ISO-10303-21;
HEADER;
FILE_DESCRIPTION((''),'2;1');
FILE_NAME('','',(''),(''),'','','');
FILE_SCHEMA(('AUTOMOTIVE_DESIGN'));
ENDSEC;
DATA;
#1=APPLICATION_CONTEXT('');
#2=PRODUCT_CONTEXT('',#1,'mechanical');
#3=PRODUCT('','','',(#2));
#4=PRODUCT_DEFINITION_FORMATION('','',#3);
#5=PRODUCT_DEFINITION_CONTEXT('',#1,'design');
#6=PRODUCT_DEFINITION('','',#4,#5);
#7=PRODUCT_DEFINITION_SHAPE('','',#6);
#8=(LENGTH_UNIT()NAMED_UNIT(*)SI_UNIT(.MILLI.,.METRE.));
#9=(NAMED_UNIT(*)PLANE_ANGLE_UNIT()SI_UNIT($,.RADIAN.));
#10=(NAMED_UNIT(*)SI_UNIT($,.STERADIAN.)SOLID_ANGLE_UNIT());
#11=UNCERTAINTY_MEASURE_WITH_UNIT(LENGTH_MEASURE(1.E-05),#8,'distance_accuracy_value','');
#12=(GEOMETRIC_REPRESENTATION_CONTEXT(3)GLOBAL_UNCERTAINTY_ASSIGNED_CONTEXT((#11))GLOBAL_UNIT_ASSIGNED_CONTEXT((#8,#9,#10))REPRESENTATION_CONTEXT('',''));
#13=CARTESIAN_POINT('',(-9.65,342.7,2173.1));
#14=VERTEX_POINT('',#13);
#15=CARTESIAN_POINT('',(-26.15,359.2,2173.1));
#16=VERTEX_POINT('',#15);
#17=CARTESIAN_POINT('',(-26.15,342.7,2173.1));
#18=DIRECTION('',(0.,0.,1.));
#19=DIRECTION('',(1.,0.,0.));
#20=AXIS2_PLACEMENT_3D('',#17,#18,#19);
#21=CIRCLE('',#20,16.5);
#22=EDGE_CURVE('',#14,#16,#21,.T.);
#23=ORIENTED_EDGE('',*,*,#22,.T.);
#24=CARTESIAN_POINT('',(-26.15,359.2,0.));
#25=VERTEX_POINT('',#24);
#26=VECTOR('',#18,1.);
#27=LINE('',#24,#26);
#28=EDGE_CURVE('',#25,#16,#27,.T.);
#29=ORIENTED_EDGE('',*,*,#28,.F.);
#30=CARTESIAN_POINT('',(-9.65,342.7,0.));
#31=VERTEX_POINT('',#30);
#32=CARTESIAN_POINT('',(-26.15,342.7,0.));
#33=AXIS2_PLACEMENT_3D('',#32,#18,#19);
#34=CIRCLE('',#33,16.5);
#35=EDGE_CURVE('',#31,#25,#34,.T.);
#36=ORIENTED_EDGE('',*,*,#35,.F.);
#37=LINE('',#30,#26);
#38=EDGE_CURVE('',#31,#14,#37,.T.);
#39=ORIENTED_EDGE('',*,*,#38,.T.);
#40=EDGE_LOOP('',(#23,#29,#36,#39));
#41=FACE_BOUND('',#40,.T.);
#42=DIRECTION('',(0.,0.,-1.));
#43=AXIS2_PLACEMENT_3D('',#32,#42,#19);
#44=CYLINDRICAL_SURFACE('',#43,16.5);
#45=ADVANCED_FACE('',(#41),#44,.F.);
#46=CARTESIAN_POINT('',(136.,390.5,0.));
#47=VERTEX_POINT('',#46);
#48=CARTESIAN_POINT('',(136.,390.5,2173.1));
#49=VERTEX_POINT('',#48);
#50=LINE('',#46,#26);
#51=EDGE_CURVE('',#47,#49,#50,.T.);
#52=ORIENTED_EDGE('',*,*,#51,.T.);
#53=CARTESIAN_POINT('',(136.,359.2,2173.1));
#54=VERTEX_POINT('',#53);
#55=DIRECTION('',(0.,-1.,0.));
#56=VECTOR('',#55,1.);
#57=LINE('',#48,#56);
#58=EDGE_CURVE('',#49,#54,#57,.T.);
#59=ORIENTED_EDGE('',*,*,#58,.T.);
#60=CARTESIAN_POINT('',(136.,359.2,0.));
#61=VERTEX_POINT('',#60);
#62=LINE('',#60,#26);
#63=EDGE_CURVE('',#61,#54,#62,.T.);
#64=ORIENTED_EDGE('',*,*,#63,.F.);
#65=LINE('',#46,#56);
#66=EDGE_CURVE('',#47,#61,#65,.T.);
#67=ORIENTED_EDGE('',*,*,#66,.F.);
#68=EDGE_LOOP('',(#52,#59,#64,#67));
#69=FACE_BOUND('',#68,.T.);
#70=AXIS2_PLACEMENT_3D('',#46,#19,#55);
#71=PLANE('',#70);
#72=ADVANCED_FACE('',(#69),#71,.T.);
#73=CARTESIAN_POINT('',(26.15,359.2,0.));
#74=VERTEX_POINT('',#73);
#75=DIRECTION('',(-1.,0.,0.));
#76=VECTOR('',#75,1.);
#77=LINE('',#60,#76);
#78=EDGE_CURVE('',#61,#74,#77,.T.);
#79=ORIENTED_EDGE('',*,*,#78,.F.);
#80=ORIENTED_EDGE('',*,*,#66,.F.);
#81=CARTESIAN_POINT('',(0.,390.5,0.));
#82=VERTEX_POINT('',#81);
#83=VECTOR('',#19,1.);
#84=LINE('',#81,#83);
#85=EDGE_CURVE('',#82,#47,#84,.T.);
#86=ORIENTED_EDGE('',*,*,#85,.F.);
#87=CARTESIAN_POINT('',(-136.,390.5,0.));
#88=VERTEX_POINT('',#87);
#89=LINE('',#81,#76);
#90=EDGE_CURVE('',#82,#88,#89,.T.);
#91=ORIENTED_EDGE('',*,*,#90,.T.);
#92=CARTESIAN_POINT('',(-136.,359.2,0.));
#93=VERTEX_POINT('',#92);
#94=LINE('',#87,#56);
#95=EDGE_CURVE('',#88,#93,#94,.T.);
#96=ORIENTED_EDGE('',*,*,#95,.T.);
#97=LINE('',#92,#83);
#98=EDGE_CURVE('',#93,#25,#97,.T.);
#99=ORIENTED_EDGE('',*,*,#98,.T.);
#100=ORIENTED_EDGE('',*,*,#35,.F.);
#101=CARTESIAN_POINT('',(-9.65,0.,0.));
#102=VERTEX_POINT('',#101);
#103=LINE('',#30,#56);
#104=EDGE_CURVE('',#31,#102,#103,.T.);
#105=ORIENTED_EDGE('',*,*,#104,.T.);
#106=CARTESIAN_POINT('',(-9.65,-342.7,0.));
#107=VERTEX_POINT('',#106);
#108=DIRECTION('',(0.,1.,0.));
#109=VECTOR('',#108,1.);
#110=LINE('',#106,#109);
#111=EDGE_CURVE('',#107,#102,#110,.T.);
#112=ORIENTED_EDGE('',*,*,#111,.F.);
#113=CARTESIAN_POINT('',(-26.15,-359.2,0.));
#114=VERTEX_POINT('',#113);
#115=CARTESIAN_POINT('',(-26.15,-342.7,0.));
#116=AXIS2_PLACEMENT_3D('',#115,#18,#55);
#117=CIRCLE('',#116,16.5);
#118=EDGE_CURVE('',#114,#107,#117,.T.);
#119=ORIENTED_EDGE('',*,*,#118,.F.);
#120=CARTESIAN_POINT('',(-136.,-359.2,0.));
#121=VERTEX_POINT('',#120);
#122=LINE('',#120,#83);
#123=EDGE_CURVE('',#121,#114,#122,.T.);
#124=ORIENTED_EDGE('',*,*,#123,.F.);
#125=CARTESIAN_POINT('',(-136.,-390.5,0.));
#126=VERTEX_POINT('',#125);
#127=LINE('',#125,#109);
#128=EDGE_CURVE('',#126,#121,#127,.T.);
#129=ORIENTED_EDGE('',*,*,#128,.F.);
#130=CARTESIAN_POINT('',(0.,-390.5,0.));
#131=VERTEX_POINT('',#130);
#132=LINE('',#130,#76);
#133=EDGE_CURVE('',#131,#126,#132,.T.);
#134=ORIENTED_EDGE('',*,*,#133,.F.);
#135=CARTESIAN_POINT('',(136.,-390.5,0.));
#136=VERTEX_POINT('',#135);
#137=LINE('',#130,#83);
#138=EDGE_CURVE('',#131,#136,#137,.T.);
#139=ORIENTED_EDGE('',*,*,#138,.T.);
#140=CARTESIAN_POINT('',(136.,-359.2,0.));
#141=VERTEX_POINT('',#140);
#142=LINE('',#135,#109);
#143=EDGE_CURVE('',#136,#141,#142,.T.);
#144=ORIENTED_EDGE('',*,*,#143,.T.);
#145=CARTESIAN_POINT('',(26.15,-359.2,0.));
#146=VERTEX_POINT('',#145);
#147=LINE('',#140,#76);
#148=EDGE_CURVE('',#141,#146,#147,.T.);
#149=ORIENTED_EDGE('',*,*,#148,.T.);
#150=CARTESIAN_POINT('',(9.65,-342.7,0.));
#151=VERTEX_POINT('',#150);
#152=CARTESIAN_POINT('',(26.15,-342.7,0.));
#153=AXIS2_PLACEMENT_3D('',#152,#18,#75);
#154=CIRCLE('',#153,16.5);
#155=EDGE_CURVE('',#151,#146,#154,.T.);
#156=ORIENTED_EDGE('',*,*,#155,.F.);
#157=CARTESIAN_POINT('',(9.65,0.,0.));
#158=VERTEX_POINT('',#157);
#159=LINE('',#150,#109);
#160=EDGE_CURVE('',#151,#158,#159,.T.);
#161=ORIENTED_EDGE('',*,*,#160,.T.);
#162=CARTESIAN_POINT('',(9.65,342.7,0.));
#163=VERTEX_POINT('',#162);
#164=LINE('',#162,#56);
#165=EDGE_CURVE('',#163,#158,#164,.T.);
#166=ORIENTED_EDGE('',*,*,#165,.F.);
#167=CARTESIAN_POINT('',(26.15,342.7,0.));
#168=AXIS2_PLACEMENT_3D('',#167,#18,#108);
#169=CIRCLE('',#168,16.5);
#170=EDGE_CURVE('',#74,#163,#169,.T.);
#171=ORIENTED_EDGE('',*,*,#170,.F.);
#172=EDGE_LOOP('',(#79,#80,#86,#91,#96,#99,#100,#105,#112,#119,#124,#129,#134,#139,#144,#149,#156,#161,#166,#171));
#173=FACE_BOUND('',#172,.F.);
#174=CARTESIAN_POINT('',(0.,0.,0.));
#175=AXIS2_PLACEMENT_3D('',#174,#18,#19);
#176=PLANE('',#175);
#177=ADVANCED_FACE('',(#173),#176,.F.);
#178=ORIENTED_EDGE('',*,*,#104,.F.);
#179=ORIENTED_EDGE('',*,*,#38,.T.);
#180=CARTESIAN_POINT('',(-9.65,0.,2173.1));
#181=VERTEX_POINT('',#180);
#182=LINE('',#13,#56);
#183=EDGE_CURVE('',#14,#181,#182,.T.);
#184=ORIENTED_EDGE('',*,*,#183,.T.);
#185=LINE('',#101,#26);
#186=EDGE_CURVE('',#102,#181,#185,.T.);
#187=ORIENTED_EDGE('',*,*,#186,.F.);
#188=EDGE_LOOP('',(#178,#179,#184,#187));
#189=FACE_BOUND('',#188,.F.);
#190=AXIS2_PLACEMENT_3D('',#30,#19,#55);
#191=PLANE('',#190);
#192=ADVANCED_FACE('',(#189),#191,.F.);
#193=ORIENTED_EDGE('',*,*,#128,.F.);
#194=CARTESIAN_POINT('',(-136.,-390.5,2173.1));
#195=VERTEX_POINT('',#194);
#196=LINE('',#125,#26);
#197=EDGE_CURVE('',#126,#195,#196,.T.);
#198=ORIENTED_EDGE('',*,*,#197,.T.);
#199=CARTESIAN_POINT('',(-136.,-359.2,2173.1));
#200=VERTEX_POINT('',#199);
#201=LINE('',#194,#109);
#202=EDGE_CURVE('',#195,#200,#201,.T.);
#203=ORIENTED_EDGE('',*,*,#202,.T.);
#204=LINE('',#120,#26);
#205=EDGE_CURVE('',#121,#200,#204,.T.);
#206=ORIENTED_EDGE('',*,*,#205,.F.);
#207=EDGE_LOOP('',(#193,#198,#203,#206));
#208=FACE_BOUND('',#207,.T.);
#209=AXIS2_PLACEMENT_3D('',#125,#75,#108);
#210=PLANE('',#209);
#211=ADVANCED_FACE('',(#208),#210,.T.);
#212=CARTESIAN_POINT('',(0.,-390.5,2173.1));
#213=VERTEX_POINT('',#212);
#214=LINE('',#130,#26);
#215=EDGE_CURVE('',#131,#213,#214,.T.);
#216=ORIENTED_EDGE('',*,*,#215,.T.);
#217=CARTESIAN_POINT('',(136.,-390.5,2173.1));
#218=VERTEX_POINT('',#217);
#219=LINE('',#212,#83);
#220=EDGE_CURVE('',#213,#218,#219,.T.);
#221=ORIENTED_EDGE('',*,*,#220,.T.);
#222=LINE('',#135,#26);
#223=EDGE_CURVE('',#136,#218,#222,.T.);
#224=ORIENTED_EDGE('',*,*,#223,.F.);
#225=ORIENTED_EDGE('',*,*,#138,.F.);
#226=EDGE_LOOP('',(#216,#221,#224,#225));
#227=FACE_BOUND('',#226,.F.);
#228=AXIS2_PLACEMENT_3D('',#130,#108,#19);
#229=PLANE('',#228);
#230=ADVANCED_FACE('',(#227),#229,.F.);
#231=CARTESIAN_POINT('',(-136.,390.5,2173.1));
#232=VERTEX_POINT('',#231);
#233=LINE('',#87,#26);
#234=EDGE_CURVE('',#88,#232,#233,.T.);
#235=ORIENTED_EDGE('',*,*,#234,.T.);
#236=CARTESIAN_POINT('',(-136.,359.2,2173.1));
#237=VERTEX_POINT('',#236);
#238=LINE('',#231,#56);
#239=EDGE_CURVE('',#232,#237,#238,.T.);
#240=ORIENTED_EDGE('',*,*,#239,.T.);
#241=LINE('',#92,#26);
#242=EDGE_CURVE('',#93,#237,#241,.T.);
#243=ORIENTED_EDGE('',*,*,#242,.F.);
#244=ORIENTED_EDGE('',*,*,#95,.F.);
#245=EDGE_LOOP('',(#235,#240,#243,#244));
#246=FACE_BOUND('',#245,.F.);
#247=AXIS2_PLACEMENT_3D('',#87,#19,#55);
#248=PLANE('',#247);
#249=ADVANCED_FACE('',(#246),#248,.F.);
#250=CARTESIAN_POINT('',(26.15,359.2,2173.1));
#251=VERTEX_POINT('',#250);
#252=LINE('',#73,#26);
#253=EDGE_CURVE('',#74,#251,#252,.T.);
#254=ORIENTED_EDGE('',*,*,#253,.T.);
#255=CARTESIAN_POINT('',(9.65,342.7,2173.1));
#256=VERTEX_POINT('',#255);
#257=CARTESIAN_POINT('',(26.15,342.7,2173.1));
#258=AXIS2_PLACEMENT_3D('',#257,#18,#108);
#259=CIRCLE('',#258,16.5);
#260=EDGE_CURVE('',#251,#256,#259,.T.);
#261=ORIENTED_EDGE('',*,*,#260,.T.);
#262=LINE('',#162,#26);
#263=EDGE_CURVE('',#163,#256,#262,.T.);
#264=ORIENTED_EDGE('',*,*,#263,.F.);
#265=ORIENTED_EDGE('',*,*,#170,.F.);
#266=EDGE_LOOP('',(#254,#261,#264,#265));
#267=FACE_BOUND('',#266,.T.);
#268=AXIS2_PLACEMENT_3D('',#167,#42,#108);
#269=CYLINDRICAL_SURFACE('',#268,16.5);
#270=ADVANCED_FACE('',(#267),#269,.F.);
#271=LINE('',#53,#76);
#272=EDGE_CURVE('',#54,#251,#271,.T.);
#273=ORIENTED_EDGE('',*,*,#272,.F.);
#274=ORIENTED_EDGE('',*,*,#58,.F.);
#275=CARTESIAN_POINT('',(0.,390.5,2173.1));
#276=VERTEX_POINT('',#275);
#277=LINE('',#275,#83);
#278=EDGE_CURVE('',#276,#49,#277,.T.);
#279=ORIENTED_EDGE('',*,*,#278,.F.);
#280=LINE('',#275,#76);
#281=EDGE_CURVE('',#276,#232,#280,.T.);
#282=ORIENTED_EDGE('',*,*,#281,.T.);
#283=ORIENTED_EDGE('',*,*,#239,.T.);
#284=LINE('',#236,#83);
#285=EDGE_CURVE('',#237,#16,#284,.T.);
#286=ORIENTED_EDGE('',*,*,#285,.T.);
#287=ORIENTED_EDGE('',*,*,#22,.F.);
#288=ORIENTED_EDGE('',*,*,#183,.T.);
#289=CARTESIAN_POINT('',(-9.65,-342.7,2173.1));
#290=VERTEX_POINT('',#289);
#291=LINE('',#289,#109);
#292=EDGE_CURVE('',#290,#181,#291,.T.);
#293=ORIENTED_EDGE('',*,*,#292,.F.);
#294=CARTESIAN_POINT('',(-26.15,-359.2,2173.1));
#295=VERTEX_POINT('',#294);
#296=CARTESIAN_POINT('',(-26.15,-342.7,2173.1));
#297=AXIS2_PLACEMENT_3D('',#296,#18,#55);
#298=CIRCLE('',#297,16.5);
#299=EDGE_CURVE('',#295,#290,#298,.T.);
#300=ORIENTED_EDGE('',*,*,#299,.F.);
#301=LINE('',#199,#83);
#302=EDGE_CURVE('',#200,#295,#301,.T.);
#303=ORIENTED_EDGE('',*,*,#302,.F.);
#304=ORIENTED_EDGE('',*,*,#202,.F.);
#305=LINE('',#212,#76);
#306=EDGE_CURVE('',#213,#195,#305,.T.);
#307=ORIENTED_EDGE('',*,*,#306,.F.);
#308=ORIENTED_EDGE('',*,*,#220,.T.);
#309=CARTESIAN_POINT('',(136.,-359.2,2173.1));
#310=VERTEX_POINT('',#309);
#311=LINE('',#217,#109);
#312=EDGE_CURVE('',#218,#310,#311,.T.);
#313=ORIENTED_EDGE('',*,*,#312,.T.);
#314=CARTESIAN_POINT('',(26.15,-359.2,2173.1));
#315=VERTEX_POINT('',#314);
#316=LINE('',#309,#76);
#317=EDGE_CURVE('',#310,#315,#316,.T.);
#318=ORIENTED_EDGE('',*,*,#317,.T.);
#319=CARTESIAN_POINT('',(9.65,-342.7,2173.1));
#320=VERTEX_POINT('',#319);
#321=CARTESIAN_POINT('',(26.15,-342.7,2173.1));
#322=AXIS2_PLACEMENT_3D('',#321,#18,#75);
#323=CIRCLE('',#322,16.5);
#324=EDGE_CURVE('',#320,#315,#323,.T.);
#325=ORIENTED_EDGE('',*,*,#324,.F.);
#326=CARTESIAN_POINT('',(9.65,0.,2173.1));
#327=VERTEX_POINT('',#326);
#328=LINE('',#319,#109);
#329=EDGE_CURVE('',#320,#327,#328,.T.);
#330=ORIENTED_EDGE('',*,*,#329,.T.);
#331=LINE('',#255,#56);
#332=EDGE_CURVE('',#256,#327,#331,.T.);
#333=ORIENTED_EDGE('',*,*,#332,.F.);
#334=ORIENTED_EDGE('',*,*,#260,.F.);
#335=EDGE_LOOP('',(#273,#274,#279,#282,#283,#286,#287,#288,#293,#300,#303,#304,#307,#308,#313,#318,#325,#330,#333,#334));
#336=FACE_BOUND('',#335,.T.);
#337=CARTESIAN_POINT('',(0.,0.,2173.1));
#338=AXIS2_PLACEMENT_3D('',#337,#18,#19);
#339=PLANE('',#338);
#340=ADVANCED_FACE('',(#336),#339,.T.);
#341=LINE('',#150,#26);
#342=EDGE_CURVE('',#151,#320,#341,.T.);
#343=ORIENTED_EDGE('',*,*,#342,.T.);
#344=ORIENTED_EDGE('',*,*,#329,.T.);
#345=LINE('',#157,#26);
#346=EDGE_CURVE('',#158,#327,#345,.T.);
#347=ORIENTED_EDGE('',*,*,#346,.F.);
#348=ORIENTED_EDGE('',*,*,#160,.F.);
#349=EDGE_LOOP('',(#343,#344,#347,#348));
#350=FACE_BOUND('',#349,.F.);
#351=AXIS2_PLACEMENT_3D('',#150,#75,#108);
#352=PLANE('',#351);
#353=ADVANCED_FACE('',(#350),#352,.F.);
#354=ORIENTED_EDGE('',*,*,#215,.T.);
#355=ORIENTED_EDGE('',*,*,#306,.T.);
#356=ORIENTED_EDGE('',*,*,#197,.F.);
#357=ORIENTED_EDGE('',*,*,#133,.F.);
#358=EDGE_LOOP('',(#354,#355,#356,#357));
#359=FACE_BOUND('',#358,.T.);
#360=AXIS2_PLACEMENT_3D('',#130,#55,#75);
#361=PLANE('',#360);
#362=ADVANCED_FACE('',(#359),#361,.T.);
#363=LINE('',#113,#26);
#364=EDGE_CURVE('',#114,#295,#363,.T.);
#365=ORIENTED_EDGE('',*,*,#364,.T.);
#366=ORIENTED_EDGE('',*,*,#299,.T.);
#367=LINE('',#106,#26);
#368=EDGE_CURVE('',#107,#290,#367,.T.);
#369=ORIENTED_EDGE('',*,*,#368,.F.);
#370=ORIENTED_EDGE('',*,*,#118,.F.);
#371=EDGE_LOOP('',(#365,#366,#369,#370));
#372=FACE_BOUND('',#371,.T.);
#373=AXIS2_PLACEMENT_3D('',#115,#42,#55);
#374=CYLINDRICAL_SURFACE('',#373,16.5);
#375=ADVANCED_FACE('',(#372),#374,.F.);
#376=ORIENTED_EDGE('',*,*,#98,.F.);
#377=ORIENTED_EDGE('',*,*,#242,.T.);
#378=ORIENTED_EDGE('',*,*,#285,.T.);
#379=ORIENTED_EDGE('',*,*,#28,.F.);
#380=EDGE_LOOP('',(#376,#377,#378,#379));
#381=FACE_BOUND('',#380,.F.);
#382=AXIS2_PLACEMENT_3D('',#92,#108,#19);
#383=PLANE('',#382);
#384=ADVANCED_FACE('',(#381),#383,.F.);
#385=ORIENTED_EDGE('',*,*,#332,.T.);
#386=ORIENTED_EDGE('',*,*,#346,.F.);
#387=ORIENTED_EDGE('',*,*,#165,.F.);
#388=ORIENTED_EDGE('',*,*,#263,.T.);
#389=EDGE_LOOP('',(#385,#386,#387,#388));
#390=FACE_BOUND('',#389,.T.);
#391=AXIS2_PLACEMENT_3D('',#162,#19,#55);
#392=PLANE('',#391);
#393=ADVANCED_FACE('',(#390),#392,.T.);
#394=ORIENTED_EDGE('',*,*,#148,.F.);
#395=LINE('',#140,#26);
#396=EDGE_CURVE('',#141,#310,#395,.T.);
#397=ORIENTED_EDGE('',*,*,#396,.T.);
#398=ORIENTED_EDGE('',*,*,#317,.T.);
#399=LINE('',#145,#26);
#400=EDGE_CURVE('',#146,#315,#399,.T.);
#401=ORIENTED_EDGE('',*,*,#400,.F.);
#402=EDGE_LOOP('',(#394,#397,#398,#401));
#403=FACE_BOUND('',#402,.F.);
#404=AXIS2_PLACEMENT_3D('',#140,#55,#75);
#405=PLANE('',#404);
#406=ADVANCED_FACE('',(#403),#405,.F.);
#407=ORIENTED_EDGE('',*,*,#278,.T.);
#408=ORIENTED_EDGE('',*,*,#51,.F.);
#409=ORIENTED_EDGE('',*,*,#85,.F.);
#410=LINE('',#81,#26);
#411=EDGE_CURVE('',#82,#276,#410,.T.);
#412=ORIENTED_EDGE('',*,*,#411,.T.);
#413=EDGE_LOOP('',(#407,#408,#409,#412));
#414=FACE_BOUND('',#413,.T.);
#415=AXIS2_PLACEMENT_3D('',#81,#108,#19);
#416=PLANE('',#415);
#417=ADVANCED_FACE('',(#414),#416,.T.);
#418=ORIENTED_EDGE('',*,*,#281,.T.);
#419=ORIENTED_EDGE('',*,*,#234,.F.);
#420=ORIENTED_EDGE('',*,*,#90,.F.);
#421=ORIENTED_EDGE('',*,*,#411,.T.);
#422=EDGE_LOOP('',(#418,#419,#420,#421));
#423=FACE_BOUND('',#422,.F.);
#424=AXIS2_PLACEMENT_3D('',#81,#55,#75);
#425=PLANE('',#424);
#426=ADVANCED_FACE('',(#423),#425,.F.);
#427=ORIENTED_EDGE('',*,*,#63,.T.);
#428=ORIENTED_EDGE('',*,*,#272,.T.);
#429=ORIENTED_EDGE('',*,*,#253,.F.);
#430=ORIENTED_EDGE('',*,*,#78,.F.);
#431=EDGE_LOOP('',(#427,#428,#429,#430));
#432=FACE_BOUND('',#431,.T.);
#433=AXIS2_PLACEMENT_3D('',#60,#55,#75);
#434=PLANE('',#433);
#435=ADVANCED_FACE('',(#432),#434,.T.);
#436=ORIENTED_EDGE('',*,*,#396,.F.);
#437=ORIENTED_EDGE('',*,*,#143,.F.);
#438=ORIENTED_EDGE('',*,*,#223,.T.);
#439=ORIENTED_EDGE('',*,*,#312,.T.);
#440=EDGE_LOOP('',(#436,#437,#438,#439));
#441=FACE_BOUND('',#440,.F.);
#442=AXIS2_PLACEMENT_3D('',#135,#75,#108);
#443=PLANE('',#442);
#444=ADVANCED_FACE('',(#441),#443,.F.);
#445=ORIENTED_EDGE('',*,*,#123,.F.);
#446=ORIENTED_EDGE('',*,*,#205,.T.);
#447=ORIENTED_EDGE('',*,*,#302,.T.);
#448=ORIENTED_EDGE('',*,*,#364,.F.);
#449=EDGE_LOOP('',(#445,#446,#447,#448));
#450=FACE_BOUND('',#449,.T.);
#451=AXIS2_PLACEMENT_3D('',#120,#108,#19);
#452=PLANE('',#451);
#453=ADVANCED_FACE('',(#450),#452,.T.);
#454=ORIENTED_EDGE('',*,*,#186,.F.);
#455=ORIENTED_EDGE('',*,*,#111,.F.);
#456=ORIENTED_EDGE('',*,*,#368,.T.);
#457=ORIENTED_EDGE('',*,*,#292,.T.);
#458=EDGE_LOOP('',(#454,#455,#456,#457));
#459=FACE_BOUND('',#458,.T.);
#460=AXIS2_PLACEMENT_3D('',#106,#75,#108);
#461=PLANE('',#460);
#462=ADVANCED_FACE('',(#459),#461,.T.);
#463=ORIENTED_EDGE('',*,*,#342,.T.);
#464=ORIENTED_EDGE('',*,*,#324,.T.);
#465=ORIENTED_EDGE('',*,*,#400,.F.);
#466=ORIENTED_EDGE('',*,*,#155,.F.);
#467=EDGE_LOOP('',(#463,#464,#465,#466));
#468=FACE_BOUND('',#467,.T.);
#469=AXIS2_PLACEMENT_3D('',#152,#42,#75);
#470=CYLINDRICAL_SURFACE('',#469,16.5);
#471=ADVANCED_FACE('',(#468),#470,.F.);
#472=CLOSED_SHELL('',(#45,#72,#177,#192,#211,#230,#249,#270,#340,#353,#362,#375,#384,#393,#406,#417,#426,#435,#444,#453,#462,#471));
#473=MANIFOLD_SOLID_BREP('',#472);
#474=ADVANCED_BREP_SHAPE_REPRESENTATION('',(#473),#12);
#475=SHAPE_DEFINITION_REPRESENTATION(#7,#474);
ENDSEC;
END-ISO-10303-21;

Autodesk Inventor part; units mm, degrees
ref_plane "YZ Plane" through (0, 0, 0) normal (1, 0, 0) x (0, 1, 0)
ref_plane "Start plane" through (0, 0, 0) normal (0, 0, 1) x (1, 0, 0)
ref_plane "End plane" through (0, 0, 2173.1) normal (0, 0, 1) x (1, 0, 0)
sketch "Sketch" plane through (0, 0, 0) normal (0, 0, 1) x (1, 0, 0)
  line L0 (-136, -390.5) -> (-136, -359.2)
  line L1 (-136, -359.2) -> (-26.15, -359.2)
  line L2 (-9.65, -342.7) -> (-9.65, 0)
  line L3 (-9.65, 0) -> (0, 0) construction
  line L4 (0, 0) -> (0, -390.5) construction
  line L5 (0, -390.5) -> (-136, -390.5)
  line L6 (-60, 0) -> (80, 0) construction
  line L7 (0, -60) -> (0, 80) construction
  line L8 (136, -390.5) -> (136, -359.2)
  line L9 (136, -359.2) -> (26.15, -359.2)
  line L10 (9.65, -342.7) -> (9.65, 0)
  line L11 (9.65, 0) -> (0, 0) construction
  line L12 (0, -390.5) -> (136, -390.5)
  line L13 (-136, 390.5) -> (-136, 359.2)
  line L14 (-136, 359.2) -> (-26.15, 359.2)
  line L15 (-9.65, 342.7) -> (-9.65, 0)
  line L16 (0, 390.5) -> (-136, 390.5)
  line L17 (136, 390.5) -> (136, 359.2)
  line L18 (136, 359.2) -> (26.15, 359.2)
  line L19 (0, 390.5) -> (136, 390.5)
  line L20 (9.65, 342.7) -> (9.65, 0)
  arc A0 (-9.65, 342.7) -> (-26.15, 359.2) centre (-26.15, 342.7) ccw
  arc A1 (26.15, 359.2) -> (9.65, 342.7) centre (26.15, 342.7) ccw
  arc A2 (9.65, -342.7) -> (26.15, -359.2) centre (26.15, -342.7) ccw
  arc A3 (-26.15, -359.2) -> (-9.65, -342.7) centre (-26.15, -342.7) ccw
  line L21 (0, 108) -> (0, -88) construction
  line L22 (-88, 0) -> (108, 0) construction
  point P0 (-9.65, -359.2)
  point P1 (9.65, -359.2)
  point P2 (-9.65, 359.2)
  point P3 (9.65, 359.2)
  dimension "d1" = 390.5
  dimension "d2" = 31.3
  dimension "d3" = 136
  dimension "d4" = 9.65
  dimension "d10" = 16.5
extrude "Body" add sketch "Sketch" along normal up to surface (2173.1 mm away) from surface at 0
sketch "Sketch4" plane through (0, 0, 0) normal (0, 0, 1) x (1, 0, 0)
  line L0 (0, 0) -> (10, 0)
ref_plane "Work Plane3" through (0, 0, 0) normal (0, -1, 0) x (1, 0, 0)
sketch "Sketch5" plane through (0, 0, 0) normal (0, -1, 0) x (1, 0, 0)
  line L0 (-2, 0) -> (12, 0) projected
  line L1 (-2, 2173.1) -> (12, 2173.1) projected
  dimension "d14" = 2173.1
equation "\"d1\" = 0.5 * G_H"
equation "\"d2\" = G_T1"
equation "\"d3\" = 0.5 * G_W"
equation "\"d4\" = 0.5 * G_T"
equation "\"d10\" = G_IR"
equation "\"d5\" = G_L"
equation "\"G_W\" = 272"
equation "\"G_H\" = 781"
equation "\"G_T\" = 19.3"
equation "\"G_T1\" = 31.3"
equation "\"G_IR\" = 16.5"
equation "\"G_L\" = d14"
equation "\"G_OFFSET_START\" = 0"
equation "\"G_OFFSET_END\" = 0"
equation "\"d12\" = G_OFFSET_END + B_L"
equation "\"B_L\" = 2173.1"
properties part number "AS 3679-1990 - 760 UB - 244 - 2173.1" material "Steel, Mild"
